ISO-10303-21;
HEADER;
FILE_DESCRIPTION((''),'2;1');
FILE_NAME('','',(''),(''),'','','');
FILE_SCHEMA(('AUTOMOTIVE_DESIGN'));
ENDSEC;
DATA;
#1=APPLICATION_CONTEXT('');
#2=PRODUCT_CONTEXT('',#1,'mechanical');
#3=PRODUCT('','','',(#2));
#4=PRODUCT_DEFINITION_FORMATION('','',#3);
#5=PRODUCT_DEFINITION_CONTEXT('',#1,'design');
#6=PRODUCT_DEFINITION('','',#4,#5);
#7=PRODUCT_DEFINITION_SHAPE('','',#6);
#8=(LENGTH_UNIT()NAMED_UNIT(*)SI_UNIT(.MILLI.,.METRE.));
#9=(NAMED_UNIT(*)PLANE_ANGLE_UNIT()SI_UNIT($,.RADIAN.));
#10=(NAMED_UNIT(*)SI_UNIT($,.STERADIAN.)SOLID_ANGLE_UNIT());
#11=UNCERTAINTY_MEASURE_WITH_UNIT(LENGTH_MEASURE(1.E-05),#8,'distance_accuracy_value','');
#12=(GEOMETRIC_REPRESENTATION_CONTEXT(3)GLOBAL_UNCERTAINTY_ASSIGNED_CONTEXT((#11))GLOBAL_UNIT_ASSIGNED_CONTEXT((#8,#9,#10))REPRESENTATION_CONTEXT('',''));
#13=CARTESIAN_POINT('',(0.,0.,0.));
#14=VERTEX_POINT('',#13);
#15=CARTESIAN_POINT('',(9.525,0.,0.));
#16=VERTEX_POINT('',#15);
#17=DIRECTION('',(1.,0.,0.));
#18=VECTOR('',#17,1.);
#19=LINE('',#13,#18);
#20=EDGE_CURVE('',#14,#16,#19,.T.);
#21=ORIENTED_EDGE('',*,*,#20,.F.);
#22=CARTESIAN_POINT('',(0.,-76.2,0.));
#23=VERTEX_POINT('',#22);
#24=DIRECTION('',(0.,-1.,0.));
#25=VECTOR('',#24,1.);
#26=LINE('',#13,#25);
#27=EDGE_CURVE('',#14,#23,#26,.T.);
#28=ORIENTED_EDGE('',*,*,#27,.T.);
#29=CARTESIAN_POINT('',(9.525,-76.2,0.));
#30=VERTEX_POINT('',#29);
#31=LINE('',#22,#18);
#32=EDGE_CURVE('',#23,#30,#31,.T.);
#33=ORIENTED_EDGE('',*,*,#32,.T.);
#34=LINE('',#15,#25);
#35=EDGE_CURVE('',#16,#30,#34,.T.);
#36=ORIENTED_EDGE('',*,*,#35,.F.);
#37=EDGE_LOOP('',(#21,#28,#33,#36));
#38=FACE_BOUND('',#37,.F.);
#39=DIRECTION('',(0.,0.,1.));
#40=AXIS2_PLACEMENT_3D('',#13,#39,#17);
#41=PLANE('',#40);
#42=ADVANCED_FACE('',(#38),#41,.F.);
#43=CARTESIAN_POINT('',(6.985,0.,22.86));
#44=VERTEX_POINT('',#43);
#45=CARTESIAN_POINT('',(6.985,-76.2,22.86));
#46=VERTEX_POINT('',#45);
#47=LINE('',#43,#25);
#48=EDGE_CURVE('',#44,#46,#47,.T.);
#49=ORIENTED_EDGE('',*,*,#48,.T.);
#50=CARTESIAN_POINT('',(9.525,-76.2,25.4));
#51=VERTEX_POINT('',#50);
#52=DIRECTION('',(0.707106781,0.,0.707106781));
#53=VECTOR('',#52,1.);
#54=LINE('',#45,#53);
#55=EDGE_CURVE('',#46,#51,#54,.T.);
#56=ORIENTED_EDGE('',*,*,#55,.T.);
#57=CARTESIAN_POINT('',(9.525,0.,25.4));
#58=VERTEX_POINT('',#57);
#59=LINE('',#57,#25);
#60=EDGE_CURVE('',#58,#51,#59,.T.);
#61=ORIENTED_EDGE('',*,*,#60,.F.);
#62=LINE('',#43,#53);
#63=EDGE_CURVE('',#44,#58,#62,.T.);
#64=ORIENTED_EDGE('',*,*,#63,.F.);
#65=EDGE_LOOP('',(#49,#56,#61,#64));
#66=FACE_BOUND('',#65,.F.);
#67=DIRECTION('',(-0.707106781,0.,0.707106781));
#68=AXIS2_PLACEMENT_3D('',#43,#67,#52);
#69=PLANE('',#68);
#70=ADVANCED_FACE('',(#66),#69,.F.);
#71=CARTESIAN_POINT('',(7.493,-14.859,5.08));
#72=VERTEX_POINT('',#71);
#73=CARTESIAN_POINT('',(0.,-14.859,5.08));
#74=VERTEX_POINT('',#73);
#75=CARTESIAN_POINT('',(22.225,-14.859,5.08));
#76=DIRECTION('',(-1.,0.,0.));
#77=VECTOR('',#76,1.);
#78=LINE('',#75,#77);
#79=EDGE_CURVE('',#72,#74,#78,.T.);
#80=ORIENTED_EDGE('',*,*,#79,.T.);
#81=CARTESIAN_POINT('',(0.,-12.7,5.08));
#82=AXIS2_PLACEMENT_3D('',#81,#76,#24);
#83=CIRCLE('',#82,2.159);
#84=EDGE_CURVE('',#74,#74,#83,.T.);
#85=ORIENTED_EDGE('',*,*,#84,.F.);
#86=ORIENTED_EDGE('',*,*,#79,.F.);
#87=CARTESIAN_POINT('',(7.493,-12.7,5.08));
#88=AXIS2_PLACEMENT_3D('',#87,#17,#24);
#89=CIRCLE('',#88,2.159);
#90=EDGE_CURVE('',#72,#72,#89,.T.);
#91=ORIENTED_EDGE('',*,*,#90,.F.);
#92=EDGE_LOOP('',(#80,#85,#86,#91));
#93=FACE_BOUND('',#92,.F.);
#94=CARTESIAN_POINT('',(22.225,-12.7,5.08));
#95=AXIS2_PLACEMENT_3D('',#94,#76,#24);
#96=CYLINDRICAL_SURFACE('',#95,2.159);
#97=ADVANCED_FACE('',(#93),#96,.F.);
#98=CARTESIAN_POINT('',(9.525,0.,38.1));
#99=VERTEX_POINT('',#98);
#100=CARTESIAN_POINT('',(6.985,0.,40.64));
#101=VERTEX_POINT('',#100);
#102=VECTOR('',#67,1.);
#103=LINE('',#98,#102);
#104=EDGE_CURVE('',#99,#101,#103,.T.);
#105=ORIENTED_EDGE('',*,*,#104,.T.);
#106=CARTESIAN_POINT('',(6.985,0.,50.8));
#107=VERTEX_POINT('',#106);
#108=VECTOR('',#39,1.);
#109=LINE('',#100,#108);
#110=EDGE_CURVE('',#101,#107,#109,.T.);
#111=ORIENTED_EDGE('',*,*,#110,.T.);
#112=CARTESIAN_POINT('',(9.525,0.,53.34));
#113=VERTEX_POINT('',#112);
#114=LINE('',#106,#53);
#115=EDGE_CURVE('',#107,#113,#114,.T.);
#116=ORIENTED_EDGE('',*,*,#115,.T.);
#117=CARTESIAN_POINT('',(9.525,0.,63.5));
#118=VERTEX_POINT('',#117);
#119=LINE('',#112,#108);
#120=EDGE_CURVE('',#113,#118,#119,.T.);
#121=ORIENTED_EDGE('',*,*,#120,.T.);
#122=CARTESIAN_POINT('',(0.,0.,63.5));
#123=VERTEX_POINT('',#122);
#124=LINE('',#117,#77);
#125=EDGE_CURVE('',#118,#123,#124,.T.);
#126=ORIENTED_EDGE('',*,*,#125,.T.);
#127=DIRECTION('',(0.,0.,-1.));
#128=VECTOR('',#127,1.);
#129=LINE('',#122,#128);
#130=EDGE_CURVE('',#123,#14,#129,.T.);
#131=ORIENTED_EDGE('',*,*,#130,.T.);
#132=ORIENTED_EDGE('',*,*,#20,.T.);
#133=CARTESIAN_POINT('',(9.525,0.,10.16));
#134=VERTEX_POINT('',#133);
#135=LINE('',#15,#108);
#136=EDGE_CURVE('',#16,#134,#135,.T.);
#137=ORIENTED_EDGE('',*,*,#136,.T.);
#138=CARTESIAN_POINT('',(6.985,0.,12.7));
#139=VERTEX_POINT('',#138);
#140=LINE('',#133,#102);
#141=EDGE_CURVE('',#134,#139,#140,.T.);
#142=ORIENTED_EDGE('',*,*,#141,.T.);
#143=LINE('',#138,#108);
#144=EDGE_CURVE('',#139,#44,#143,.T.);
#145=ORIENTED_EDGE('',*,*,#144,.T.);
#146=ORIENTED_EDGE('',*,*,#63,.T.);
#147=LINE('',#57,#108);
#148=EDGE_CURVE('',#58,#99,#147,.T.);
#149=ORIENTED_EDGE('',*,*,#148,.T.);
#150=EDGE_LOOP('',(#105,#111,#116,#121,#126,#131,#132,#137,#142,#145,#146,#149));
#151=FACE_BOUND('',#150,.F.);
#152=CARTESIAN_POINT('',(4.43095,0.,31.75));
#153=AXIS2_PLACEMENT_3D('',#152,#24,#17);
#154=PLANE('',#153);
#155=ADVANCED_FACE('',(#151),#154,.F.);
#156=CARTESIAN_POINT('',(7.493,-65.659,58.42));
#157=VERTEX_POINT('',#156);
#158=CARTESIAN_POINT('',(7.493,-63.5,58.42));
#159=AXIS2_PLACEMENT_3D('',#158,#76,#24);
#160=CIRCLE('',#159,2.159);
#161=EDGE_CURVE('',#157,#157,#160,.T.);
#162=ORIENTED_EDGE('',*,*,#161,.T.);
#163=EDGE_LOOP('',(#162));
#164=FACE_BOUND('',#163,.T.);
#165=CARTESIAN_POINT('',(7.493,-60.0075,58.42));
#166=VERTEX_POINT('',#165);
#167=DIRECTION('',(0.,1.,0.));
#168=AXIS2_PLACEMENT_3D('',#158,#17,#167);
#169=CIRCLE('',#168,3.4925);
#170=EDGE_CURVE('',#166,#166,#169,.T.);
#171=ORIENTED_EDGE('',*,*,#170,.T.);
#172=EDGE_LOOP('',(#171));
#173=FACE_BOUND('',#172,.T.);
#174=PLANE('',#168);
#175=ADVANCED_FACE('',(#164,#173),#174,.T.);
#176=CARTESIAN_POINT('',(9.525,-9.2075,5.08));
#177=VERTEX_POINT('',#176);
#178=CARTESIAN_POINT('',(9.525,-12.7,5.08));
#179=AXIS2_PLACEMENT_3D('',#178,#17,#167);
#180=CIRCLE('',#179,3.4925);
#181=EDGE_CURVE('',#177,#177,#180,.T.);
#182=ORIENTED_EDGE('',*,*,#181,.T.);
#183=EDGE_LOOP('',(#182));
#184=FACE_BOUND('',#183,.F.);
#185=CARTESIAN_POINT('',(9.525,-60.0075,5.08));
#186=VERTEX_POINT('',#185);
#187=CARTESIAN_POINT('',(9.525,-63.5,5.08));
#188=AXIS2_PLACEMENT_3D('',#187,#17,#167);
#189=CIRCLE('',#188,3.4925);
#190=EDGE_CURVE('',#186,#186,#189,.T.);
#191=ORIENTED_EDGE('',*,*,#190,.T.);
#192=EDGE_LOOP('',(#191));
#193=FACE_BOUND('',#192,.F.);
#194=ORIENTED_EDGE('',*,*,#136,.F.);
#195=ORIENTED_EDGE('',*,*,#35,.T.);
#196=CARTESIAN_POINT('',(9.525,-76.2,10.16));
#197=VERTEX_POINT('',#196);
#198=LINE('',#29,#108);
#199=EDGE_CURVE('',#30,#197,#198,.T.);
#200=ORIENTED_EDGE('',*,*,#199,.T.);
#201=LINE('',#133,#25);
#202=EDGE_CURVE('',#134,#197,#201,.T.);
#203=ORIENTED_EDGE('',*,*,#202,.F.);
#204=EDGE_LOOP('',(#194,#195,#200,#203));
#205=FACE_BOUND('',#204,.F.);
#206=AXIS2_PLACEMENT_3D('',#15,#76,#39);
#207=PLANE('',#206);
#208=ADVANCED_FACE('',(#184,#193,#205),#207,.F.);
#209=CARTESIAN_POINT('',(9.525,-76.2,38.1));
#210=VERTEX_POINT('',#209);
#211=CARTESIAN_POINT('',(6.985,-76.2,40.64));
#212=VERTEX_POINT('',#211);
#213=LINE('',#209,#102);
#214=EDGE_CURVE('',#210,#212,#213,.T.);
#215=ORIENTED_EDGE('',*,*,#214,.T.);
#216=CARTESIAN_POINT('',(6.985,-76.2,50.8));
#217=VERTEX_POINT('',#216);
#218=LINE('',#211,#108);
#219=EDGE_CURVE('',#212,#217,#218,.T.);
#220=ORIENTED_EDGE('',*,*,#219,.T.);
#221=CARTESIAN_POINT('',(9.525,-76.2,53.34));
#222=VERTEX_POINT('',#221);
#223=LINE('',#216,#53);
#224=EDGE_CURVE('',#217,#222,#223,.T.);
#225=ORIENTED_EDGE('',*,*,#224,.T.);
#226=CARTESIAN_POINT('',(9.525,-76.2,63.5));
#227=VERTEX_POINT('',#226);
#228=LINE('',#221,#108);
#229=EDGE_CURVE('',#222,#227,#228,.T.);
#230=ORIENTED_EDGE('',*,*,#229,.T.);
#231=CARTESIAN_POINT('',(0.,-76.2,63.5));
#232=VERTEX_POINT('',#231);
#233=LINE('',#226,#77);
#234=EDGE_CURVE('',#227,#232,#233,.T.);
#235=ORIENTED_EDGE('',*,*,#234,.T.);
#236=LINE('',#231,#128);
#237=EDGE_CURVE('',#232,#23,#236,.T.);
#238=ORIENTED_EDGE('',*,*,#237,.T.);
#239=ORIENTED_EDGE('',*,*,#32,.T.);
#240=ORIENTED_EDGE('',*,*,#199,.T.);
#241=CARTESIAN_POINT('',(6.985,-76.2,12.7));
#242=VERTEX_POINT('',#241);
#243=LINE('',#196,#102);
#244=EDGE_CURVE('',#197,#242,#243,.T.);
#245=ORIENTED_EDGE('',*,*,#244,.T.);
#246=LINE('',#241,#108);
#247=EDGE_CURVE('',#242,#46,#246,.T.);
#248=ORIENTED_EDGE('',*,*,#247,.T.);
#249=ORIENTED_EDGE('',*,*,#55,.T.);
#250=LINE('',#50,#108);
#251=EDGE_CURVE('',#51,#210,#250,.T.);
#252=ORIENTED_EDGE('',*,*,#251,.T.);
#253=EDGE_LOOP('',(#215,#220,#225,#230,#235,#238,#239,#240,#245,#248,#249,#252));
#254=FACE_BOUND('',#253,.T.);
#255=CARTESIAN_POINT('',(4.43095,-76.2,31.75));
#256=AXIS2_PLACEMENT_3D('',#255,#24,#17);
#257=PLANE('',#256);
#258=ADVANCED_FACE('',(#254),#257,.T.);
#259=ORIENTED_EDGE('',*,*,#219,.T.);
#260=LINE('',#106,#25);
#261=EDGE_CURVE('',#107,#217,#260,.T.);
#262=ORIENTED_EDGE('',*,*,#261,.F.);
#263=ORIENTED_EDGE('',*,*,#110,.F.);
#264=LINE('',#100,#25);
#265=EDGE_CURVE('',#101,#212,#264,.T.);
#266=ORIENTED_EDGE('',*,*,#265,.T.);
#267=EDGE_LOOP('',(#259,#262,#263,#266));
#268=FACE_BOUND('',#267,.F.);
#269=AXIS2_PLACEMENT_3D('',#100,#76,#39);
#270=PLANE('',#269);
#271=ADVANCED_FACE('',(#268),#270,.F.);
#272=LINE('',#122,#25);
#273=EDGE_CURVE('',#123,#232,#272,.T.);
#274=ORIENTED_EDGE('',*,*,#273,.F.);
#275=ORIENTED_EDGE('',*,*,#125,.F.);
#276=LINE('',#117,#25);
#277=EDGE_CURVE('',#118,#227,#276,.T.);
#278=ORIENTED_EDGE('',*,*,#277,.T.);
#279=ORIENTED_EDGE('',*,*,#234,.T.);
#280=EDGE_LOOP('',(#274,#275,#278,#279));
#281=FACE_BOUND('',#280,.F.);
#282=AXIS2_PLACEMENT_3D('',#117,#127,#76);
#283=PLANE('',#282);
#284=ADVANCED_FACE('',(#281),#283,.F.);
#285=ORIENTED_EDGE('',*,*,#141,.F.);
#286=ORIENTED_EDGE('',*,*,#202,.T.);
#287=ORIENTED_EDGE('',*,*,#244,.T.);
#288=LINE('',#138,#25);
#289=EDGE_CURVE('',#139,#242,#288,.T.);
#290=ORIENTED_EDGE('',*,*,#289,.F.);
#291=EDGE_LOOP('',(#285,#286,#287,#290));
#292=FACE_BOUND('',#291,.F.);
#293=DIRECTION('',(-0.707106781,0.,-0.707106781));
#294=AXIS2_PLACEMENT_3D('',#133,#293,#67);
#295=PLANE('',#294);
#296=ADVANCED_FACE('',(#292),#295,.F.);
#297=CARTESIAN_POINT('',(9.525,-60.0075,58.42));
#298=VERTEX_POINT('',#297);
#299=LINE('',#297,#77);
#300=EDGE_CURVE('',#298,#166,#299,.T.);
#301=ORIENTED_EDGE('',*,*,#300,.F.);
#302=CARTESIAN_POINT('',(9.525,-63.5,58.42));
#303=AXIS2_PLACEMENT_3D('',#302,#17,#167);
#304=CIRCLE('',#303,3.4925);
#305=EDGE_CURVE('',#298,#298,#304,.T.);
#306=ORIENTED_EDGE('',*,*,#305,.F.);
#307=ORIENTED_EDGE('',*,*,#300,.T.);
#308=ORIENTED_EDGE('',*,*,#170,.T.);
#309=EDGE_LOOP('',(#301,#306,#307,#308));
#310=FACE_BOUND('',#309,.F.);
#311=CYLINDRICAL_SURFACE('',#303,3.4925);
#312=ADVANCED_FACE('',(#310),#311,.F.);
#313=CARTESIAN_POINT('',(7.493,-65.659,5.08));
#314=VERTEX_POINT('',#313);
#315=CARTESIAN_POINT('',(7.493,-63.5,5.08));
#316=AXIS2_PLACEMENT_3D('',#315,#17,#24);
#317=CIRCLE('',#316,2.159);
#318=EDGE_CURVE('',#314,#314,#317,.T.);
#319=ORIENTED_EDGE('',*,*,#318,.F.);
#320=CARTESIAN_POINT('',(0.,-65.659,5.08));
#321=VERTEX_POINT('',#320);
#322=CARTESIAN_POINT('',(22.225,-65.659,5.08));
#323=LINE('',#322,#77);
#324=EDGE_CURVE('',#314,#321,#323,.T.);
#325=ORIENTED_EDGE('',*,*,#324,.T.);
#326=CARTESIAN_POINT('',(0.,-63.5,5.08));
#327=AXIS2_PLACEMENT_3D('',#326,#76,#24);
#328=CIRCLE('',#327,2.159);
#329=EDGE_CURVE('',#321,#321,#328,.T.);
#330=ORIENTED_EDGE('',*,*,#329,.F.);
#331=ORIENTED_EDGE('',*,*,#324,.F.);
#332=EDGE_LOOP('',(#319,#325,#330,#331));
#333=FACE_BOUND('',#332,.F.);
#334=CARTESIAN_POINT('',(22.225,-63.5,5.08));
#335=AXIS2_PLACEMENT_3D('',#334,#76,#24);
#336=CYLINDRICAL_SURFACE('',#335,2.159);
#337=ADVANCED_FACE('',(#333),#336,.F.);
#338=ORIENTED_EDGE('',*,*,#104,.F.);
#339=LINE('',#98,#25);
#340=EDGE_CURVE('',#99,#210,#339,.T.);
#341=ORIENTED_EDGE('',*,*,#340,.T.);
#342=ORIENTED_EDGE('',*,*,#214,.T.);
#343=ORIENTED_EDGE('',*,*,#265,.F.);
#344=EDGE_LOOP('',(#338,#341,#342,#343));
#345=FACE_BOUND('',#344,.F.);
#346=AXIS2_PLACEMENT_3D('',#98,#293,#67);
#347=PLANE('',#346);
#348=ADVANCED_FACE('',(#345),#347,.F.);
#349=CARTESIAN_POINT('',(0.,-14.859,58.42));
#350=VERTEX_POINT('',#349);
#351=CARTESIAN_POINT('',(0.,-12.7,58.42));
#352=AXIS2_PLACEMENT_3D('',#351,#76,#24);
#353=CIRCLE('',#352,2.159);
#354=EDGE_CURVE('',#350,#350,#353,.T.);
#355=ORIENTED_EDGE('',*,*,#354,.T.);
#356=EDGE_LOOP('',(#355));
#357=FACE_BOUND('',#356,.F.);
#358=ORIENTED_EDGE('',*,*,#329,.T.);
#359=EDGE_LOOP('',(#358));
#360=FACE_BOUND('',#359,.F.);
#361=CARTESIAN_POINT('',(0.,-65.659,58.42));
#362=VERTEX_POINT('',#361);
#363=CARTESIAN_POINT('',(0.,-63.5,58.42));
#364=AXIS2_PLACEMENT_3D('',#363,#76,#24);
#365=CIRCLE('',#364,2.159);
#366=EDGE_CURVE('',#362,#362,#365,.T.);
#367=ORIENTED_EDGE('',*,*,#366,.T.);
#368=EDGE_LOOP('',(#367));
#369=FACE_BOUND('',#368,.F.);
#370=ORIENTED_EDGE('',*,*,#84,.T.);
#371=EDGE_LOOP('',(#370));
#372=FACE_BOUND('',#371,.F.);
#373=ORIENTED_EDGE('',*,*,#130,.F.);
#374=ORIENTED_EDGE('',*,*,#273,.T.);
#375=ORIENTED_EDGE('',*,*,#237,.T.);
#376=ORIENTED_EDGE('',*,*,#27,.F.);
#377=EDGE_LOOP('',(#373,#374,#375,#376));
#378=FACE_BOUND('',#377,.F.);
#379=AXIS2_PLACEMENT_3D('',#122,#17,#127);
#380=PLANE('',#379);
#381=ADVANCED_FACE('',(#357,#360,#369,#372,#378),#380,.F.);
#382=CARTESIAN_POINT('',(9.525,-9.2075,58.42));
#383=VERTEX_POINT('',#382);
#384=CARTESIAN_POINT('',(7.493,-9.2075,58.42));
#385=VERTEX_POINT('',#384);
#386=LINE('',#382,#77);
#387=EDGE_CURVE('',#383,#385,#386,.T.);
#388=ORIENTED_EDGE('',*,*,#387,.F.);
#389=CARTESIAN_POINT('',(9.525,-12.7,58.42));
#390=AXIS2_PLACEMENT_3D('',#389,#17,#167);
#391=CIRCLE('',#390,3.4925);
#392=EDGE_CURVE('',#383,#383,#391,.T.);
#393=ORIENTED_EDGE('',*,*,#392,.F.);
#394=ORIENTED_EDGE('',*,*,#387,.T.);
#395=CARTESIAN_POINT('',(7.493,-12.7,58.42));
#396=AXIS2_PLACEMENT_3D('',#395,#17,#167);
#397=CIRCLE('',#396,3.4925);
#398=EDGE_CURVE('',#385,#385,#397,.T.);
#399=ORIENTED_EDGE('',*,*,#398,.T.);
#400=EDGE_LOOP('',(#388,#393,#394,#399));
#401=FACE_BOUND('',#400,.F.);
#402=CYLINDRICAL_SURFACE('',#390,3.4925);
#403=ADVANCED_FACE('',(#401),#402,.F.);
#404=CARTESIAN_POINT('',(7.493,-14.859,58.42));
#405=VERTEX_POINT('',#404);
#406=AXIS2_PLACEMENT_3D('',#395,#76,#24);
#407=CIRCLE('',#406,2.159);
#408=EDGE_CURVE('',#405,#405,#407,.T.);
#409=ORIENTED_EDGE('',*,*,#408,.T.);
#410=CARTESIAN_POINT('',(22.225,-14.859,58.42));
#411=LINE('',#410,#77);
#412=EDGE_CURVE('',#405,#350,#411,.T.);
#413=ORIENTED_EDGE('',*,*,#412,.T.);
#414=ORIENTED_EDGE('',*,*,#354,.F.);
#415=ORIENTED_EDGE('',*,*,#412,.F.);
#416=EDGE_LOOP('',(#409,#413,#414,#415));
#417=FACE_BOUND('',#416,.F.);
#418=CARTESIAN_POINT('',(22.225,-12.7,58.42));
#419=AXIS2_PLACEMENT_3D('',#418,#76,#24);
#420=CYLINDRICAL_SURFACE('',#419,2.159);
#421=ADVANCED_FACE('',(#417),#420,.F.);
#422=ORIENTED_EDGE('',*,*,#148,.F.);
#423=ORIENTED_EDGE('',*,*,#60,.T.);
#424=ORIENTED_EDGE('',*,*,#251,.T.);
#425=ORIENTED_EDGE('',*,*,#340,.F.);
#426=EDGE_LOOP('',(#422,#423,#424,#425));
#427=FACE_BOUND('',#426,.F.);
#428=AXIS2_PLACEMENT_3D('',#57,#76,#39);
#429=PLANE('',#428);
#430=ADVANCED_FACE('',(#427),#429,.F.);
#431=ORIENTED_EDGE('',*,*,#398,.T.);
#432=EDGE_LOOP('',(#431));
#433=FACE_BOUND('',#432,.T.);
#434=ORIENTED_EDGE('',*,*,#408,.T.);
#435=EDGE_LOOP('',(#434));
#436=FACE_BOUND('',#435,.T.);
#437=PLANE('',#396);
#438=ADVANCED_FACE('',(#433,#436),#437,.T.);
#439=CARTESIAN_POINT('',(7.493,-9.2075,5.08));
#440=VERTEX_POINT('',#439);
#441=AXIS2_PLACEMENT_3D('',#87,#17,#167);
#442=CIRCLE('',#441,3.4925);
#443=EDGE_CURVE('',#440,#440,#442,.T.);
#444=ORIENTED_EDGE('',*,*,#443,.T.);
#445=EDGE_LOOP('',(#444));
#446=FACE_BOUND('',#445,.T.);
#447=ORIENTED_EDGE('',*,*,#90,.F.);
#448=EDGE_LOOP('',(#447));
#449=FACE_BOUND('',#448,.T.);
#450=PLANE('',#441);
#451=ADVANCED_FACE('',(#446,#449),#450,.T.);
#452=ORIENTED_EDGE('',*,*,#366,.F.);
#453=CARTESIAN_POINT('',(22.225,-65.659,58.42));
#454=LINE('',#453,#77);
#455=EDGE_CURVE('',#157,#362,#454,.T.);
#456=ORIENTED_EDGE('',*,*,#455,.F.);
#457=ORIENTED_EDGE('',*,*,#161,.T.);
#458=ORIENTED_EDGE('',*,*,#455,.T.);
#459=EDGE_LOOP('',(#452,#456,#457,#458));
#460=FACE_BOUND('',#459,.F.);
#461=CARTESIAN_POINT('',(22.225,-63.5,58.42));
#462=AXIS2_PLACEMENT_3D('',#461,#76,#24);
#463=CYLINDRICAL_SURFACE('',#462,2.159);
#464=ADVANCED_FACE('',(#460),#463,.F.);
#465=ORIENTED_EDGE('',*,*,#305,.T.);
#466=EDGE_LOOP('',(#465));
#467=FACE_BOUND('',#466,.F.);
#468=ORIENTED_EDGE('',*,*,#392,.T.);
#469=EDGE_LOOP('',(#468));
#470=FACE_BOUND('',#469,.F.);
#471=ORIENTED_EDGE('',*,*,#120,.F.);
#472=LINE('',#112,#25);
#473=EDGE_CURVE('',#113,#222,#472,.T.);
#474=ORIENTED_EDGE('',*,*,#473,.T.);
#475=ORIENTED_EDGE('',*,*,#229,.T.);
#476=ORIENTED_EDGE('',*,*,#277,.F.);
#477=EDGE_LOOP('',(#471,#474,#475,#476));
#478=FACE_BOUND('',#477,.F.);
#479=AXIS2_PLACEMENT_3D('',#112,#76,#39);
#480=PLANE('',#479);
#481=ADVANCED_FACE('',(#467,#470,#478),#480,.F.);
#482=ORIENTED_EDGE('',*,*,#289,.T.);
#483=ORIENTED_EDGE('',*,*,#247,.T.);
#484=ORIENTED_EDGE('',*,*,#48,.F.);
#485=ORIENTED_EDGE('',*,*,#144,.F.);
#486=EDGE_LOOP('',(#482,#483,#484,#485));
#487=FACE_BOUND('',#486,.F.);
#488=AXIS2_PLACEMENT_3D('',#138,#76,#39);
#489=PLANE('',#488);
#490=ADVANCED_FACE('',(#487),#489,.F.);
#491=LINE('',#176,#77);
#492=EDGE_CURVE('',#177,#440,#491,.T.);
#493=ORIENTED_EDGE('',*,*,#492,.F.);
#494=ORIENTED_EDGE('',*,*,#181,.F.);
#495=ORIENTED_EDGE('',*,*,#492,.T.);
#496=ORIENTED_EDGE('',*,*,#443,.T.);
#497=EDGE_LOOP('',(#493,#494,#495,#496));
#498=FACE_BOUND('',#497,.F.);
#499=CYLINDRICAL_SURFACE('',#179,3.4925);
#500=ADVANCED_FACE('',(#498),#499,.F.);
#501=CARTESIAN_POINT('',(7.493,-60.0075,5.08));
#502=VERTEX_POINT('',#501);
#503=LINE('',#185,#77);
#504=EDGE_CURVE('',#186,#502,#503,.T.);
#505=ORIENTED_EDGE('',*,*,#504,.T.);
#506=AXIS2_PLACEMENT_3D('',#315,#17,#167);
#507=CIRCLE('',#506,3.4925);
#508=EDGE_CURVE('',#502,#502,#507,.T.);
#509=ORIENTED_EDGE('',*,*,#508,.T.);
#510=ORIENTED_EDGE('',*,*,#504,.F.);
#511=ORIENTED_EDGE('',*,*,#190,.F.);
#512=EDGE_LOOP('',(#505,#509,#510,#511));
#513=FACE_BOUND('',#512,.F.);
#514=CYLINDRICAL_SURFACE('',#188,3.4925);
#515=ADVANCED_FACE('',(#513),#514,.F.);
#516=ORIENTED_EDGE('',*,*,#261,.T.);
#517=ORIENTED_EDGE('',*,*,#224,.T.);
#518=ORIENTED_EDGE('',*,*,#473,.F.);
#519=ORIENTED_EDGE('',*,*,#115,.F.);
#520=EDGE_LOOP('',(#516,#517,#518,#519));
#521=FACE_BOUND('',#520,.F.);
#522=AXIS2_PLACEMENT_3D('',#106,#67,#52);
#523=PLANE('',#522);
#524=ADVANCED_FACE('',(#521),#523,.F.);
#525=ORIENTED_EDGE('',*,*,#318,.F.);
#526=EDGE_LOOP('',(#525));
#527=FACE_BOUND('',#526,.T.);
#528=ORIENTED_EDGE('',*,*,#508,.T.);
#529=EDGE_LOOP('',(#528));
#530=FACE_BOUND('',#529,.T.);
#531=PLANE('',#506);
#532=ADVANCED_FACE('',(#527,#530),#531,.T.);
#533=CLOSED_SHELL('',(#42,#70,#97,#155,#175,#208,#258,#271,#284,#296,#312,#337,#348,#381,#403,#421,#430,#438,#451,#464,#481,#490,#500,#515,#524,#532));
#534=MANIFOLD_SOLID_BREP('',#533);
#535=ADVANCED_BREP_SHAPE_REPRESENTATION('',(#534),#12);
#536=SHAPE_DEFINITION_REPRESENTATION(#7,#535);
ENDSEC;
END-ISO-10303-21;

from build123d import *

# Parameters (mm, degrees)
F1_DEPTH = 76.2
F4_D     = 4.318
F4_DEPTH = 12.7
F4_TIP   = 1.2972580765
F5_R     = 3.4925
F5_R_2   = 2.159
F6_DEPTH = 2.032


with BuildPart() as f1:
    # F0 (on Front) → F1 (new body)
    with BuildSketch(Plane.XZ):
        Polygon((0, 63.5), (0, 0), (9.525, 0), (9.525, 10.16), (6.985, 12.7), (6.985, 22.86), (9.525, 25.4), (9.525, 38.1), (6.985, 40.64), (6.985, 50.8), (9.525, 53.34), (9.525, 63.5), align=None)
    extrude(amount=F1_DEPTH)

    # F4
    with Locations(Plane.YZ.offset(9.525)):
        with Locations((-63.5, 58.42), (-12.7, 58.42), (-63.5, 5.08), (-12.7, 5.08)):
            Hole(F4_D / 2, depth=F4_DEPTH)
            with Locations((0, 0, -(F4_DEPTH + F4_TIP / 2))):  # 118° drill point
                Cone(0, F4_D / 2, F4_TIP, mode=Mode.SUBTRACT)

    # F5 (on face) → F6 (cut)
    with BuildSketch(Plane.YZ.offset(9.525)):
        with Locations((-63.5, 58.42)):
            Circle(F5_R)
        with Locations((-12.7, 58.42)):
            Circle(F5_R)
        with Locations((-63.5, 5.08)):
            Circle(F5_R)
        with Locations((-63.5, 5.08)):
            Circle(F5_R_2, mode=Mode.SUBTRACT)
        with Locations((-12.7, 5.08)):
            Circle(F5_R)
        with Locations((-12.7, 5.08)):
            Circle(F5_R_2, mode=Mode.SUBTRACT)
    extrude(amount=-F6_DEPTH, mode=Mode.SUBTRACT)


solid = f1.part
